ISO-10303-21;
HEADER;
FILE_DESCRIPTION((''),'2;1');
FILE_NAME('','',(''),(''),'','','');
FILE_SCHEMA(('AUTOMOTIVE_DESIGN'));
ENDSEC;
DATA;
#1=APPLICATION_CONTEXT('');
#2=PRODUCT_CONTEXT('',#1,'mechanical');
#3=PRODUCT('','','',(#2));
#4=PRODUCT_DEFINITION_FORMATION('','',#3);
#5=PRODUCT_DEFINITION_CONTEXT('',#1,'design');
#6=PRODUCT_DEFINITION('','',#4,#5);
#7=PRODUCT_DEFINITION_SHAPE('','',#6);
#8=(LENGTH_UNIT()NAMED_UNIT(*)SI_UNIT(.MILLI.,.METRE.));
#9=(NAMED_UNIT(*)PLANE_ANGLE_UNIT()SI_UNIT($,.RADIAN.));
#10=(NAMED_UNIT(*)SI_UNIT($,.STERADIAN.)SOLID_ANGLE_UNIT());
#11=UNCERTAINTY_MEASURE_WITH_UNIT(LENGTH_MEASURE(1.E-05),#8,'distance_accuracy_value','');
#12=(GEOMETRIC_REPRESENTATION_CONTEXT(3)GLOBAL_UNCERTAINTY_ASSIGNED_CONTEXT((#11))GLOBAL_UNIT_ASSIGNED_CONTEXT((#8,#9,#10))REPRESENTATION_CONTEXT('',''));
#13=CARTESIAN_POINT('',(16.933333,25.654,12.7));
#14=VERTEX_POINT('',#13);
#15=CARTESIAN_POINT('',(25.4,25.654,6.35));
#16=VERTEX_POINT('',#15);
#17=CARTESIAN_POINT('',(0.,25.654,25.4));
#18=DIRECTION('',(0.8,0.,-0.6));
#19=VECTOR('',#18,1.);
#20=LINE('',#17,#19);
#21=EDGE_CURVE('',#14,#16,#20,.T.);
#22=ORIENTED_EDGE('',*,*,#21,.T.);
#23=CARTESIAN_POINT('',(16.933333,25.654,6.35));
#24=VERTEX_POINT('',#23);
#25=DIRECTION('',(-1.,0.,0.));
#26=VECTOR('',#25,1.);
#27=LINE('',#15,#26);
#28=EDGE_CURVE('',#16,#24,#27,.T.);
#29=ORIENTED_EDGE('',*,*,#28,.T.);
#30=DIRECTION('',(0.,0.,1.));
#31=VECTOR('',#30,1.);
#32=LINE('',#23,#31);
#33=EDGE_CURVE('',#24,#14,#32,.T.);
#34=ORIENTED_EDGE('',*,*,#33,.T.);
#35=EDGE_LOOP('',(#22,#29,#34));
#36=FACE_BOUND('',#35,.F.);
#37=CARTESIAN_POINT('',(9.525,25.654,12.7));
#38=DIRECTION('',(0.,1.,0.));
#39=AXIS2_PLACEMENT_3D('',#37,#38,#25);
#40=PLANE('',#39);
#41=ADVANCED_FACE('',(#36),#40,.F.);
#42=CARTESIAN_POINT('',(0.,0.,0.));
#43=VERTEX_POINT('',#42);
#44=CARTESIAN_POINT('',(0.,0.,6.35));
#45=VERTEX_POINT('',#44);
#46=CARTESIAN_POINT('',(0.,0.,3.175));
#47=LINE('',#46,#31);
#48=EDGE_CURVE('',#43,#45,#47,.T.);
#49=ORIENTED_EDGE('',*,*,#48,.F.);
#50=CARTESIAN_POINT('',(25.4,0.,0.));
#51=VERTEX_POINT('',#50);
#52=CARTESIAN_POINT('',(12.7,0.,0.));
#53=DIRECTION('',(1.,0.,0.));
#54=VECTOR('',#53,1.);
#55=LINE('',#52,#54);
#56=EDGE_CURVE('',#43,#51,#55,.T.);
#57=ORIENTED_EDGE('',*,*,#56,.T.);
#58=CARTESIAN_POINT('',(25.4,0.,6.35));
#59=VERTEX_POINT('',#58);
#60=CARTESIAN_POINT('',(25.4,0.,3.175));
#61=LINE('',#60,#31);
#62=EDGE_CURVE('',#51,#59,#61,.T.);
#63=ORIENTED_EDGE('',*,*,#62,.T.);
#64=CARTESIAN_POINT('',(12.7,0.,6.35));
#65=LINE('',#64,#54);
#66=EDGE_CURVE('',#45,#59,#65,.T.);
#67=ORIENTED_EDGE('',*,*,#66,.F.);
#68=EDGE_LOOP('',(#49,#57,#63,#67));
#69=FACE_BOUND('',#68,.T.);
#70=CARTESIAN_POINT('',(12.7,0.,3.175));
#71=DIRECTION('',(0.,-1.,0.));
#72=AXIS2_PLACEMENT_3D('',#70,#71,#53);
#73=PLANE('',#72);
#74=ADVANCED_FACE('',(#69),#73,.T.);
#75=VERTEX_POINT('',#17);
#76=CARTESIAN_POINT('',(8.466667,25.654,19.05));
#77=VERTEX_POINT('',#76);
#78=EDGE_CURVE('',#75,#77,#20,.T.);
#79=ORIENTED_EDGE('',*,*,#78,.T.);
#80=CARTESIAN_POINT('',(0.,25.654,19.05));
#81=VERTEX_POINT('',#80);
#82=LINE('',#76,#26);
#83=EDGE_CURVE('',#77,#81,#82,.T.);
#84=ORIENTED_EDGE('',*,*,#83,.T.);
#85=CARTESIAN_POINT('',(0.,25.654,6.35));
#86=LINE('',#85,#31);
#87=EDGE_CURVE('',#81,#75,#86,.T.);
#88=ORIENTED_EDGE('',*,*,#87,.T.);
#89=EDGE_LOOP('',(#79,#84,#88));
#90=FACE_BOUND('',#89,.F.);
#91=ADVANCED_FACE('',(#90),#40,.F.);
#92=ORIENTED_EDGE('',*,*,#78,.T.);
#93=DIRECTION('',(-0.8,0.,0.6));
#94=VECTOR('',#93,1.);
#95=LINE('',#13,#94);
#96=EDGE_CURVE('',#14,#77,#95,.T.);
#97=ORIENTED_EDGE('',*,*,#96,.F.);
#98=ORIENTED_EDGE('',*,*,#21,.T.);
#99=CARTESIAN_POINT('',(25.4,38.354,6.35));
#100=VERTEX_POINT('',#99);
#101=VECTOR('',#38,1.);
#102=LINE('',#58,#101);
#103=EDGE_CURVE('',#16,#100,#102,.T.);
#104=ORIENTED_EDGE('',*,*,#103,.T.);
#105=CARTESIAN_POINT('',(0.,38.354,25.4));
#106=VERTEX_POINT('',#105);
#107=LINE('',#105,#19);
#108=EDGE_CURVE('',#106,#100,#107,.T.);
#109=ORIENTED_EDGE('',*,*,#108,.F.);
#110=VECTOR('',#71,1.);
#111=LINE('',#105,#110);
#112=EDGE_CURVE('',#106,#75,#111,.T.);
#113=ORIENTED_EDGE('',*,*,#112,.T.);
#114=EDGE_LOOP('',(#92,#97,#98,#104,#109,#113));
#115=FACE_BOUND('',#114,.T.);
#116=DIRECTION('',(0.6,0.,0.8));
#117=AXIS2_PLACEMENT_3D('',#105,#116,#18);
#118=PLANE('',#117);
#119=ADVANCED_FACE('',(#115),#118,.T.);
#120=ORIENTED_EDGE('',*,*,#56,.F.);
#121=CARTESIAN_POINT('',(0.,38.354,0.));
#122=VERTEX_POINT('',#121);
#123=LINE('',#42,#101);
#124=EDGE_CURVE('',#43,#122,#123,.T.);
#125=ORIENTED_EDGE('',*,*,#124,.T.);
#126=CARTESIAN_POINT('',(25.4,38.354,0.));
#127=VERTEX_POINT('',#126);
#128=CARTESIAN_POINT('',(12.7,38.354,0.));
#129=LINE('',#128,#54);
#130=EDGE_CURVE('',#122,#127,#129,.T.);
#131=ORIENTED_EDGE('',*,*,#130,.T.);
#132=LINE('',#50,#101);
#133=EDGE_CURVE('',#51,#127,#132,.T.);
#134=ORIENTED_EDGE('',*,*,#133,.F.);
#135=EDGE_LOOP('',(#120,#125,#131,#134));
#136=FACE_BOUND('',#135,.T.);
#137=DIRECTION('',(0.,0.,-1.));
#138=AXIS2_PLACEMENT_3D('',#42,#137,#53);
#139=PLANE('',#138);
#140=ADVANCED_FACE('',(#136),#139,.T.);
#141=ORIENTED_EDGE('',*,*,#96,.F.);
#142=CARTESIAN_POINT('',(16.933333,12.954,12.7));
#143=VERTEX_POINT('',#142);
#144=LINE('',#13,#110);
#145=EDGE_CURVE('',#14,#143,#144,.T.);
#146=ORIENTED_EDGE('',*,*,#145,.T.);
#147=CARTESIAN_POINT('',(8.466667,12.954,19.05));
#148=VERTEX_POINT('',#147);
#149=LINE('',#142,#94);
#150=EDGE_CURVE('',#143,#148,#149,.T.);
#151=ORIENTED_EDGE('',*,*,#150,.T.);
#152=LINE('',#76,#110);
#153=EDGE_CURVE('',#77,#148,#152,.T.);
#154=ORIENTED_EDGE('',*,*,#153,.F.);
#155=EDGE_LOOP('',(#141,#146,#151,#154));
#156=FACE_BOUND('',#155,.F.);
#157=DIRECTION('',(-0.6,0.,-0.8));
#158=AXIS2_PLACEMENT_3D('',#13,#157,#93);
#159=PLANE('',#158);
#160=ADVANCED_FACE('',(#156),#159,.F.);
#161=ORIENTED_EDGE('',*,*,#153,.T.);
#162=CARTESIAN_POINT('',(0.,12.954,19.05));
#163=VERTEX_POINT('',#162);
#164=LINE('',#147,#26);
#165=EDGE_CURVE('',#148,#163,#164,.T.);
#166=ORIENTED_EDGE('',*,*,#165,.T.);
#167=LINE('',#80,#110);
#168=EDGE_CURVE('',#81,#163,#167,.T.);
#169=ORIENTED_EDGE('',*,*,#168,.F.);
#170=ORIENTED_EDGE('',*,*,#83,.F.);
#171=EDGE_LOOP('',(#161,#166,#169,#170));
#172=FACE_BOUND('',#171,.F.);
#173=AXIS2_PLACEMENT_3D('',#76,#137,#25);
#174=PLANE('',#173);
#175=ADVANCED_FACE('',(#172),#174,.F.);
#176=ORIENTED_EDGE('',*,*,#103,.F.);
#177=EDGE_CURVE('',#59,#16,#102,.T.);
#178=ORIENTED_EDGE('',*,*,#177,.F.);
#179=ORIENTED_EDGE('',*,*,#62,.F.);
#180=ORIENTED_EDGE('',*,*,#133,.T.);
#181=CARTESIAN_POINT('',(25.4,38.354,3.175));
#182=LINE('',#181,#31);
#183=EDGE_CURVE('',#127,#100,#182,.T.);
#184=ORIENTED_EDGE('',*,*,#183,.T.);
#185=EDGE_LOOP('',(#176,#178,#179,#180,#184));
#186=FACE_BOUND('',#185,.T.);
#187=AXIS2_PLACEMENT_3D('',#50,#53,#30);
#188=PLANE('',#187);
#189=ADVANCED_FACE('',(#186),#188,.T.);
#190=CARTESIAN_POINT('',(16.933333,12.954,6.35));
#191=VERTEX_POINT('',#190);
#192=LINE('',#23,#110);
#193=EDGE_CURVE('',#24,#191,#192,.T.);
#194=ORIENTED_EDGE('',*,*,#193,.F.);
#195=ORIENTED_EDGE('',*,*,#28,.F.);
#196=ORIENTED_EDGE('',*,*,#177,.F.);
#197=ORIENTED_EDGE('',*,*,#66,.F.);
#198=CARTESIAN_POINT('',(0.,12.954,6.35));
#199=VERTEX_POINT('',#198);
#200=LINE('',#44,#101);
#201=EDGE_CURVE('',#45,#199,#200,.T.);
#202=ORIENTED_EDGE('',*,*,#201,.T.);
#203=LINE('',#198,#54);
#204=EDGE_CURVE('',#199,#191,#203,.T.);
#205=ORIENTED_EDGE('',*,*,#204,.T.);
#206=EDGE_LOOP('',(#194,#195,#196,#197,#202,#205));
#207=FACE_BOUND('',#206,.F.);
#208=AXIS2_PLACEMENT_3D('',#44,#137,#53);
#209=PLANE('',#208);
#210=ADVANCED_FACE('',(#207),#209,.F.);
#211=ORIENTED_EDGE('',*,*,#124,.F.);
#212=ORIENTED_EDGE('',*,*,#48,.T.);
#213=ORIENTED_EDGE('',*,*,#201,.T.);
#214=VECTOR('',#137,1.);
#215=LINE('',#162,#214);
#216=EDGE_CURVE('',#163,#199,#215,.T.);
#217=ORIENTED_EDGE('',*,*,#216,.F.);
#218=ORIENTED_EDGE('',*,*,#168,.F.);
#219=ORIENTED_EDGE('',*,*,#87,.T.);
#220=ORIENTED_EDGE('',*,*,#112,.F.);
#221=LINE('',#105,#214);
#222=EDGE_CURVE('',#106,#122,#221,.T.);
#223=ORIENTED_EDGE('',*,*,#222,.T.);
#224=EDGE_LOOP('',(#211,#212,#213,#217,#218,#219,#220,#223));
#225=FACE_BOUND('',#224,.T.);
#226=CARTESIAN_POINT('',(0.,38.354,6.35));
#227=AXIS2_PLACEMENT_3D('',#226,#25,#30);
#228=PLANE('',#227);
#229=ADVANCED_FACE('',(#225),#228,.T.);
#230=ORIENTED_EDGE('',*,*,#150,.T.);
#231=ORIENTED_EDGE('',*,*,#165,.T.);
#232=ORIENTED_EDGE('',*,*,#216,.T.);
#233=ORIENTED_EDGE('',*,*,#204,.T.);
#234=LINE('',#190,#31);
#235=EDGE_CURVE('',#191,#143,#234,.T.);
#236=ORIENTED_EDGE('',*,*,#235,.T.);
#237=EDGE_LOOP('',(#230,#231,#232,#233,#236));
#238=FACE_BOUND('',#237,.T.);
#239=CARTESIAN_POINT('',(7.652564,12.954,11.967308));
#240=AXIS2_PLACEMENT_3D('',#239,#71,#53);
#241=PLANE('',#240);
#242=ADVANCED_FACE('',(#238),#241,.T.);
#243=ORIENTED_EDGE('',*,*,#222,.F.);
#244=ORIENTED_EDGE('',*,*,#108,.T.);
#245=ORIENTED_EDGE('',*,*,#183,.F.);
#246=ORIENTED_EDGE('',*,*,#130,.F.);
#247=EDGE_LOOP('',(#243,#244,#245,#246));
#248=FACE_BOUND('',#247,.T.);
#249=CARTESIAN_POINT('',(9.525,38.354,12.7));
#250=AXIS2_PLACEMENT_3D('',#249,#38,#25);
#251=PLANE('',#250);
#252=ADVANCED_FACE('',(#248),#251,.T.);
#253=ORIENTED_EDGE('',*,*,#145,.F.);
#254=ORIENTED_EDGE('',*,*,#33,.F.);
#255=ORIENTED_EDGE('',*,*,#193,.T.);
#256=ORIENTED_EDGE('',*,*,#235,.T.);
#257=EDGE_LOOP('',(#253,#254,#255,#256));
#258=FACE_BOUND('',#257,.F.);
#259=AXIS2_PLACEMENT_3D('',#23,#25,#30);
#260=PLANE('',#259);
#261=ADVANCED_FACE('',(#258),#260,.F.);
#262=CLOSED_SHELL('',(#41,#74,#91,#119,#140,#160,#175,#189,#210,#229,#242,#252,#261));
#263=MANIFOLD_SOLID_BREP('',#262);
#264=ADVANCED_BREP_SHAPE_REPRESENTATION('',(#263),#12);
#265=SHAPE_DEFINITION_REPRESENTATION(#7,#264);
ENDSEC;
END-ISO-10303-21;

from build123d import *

# Parameters (mm, degrees)
F0_W     = 25.4
F0_H     = 6.35
F1_DEPTH = 38.354
F3_DEPTH = 12.7
F5_DEPTH = 12.7
F6_DEPTH = 12.7


with BuildPart() as f1:
    # F0 (on Front) → F1 (new body)
    with BuildSketch(Plane.XZ):
        with Locations((12.7, 3.175)):
            Rectangle(F0_W, F0_H)
    extrude(amount=-F1_DEPTH)

    # F2 (on face) → F3 (join)
    with BuildSketch(Plane(origin=(0, 38.354, 0), x_dir=(-1, 0, 0), z_dir=(0, 1, 0))):
        Polygon((-25.4, 6.35), (0, 6.35), (0, 25.4), align=None)
    extrude(amount=-F3_DEPTH)

    # F4 (on face) → F5 (join)
    with BuildSketch(Plane.XZ.offset(-25.654)):
        Polygon((0, 6.35), (16.9333333333, 6.35), (16.9333333333, 12.7), (8.4666666667, 19.05), (0, 19.05), align=None)
    extrude(amount=F5_DEPTH)

    # F4 (on face) → F6 (join)
    with BuildSketch(Plane.XZ.offset(-25.654)):
        Polygon((0, 6.35), (16.9333333333, 6.35), (16.9333333333, 12.7), (8.4666666667, 19.05), (0, 19.05), align=None)
    extrude(amount=F6_DEPTH)


solid = f1.part
